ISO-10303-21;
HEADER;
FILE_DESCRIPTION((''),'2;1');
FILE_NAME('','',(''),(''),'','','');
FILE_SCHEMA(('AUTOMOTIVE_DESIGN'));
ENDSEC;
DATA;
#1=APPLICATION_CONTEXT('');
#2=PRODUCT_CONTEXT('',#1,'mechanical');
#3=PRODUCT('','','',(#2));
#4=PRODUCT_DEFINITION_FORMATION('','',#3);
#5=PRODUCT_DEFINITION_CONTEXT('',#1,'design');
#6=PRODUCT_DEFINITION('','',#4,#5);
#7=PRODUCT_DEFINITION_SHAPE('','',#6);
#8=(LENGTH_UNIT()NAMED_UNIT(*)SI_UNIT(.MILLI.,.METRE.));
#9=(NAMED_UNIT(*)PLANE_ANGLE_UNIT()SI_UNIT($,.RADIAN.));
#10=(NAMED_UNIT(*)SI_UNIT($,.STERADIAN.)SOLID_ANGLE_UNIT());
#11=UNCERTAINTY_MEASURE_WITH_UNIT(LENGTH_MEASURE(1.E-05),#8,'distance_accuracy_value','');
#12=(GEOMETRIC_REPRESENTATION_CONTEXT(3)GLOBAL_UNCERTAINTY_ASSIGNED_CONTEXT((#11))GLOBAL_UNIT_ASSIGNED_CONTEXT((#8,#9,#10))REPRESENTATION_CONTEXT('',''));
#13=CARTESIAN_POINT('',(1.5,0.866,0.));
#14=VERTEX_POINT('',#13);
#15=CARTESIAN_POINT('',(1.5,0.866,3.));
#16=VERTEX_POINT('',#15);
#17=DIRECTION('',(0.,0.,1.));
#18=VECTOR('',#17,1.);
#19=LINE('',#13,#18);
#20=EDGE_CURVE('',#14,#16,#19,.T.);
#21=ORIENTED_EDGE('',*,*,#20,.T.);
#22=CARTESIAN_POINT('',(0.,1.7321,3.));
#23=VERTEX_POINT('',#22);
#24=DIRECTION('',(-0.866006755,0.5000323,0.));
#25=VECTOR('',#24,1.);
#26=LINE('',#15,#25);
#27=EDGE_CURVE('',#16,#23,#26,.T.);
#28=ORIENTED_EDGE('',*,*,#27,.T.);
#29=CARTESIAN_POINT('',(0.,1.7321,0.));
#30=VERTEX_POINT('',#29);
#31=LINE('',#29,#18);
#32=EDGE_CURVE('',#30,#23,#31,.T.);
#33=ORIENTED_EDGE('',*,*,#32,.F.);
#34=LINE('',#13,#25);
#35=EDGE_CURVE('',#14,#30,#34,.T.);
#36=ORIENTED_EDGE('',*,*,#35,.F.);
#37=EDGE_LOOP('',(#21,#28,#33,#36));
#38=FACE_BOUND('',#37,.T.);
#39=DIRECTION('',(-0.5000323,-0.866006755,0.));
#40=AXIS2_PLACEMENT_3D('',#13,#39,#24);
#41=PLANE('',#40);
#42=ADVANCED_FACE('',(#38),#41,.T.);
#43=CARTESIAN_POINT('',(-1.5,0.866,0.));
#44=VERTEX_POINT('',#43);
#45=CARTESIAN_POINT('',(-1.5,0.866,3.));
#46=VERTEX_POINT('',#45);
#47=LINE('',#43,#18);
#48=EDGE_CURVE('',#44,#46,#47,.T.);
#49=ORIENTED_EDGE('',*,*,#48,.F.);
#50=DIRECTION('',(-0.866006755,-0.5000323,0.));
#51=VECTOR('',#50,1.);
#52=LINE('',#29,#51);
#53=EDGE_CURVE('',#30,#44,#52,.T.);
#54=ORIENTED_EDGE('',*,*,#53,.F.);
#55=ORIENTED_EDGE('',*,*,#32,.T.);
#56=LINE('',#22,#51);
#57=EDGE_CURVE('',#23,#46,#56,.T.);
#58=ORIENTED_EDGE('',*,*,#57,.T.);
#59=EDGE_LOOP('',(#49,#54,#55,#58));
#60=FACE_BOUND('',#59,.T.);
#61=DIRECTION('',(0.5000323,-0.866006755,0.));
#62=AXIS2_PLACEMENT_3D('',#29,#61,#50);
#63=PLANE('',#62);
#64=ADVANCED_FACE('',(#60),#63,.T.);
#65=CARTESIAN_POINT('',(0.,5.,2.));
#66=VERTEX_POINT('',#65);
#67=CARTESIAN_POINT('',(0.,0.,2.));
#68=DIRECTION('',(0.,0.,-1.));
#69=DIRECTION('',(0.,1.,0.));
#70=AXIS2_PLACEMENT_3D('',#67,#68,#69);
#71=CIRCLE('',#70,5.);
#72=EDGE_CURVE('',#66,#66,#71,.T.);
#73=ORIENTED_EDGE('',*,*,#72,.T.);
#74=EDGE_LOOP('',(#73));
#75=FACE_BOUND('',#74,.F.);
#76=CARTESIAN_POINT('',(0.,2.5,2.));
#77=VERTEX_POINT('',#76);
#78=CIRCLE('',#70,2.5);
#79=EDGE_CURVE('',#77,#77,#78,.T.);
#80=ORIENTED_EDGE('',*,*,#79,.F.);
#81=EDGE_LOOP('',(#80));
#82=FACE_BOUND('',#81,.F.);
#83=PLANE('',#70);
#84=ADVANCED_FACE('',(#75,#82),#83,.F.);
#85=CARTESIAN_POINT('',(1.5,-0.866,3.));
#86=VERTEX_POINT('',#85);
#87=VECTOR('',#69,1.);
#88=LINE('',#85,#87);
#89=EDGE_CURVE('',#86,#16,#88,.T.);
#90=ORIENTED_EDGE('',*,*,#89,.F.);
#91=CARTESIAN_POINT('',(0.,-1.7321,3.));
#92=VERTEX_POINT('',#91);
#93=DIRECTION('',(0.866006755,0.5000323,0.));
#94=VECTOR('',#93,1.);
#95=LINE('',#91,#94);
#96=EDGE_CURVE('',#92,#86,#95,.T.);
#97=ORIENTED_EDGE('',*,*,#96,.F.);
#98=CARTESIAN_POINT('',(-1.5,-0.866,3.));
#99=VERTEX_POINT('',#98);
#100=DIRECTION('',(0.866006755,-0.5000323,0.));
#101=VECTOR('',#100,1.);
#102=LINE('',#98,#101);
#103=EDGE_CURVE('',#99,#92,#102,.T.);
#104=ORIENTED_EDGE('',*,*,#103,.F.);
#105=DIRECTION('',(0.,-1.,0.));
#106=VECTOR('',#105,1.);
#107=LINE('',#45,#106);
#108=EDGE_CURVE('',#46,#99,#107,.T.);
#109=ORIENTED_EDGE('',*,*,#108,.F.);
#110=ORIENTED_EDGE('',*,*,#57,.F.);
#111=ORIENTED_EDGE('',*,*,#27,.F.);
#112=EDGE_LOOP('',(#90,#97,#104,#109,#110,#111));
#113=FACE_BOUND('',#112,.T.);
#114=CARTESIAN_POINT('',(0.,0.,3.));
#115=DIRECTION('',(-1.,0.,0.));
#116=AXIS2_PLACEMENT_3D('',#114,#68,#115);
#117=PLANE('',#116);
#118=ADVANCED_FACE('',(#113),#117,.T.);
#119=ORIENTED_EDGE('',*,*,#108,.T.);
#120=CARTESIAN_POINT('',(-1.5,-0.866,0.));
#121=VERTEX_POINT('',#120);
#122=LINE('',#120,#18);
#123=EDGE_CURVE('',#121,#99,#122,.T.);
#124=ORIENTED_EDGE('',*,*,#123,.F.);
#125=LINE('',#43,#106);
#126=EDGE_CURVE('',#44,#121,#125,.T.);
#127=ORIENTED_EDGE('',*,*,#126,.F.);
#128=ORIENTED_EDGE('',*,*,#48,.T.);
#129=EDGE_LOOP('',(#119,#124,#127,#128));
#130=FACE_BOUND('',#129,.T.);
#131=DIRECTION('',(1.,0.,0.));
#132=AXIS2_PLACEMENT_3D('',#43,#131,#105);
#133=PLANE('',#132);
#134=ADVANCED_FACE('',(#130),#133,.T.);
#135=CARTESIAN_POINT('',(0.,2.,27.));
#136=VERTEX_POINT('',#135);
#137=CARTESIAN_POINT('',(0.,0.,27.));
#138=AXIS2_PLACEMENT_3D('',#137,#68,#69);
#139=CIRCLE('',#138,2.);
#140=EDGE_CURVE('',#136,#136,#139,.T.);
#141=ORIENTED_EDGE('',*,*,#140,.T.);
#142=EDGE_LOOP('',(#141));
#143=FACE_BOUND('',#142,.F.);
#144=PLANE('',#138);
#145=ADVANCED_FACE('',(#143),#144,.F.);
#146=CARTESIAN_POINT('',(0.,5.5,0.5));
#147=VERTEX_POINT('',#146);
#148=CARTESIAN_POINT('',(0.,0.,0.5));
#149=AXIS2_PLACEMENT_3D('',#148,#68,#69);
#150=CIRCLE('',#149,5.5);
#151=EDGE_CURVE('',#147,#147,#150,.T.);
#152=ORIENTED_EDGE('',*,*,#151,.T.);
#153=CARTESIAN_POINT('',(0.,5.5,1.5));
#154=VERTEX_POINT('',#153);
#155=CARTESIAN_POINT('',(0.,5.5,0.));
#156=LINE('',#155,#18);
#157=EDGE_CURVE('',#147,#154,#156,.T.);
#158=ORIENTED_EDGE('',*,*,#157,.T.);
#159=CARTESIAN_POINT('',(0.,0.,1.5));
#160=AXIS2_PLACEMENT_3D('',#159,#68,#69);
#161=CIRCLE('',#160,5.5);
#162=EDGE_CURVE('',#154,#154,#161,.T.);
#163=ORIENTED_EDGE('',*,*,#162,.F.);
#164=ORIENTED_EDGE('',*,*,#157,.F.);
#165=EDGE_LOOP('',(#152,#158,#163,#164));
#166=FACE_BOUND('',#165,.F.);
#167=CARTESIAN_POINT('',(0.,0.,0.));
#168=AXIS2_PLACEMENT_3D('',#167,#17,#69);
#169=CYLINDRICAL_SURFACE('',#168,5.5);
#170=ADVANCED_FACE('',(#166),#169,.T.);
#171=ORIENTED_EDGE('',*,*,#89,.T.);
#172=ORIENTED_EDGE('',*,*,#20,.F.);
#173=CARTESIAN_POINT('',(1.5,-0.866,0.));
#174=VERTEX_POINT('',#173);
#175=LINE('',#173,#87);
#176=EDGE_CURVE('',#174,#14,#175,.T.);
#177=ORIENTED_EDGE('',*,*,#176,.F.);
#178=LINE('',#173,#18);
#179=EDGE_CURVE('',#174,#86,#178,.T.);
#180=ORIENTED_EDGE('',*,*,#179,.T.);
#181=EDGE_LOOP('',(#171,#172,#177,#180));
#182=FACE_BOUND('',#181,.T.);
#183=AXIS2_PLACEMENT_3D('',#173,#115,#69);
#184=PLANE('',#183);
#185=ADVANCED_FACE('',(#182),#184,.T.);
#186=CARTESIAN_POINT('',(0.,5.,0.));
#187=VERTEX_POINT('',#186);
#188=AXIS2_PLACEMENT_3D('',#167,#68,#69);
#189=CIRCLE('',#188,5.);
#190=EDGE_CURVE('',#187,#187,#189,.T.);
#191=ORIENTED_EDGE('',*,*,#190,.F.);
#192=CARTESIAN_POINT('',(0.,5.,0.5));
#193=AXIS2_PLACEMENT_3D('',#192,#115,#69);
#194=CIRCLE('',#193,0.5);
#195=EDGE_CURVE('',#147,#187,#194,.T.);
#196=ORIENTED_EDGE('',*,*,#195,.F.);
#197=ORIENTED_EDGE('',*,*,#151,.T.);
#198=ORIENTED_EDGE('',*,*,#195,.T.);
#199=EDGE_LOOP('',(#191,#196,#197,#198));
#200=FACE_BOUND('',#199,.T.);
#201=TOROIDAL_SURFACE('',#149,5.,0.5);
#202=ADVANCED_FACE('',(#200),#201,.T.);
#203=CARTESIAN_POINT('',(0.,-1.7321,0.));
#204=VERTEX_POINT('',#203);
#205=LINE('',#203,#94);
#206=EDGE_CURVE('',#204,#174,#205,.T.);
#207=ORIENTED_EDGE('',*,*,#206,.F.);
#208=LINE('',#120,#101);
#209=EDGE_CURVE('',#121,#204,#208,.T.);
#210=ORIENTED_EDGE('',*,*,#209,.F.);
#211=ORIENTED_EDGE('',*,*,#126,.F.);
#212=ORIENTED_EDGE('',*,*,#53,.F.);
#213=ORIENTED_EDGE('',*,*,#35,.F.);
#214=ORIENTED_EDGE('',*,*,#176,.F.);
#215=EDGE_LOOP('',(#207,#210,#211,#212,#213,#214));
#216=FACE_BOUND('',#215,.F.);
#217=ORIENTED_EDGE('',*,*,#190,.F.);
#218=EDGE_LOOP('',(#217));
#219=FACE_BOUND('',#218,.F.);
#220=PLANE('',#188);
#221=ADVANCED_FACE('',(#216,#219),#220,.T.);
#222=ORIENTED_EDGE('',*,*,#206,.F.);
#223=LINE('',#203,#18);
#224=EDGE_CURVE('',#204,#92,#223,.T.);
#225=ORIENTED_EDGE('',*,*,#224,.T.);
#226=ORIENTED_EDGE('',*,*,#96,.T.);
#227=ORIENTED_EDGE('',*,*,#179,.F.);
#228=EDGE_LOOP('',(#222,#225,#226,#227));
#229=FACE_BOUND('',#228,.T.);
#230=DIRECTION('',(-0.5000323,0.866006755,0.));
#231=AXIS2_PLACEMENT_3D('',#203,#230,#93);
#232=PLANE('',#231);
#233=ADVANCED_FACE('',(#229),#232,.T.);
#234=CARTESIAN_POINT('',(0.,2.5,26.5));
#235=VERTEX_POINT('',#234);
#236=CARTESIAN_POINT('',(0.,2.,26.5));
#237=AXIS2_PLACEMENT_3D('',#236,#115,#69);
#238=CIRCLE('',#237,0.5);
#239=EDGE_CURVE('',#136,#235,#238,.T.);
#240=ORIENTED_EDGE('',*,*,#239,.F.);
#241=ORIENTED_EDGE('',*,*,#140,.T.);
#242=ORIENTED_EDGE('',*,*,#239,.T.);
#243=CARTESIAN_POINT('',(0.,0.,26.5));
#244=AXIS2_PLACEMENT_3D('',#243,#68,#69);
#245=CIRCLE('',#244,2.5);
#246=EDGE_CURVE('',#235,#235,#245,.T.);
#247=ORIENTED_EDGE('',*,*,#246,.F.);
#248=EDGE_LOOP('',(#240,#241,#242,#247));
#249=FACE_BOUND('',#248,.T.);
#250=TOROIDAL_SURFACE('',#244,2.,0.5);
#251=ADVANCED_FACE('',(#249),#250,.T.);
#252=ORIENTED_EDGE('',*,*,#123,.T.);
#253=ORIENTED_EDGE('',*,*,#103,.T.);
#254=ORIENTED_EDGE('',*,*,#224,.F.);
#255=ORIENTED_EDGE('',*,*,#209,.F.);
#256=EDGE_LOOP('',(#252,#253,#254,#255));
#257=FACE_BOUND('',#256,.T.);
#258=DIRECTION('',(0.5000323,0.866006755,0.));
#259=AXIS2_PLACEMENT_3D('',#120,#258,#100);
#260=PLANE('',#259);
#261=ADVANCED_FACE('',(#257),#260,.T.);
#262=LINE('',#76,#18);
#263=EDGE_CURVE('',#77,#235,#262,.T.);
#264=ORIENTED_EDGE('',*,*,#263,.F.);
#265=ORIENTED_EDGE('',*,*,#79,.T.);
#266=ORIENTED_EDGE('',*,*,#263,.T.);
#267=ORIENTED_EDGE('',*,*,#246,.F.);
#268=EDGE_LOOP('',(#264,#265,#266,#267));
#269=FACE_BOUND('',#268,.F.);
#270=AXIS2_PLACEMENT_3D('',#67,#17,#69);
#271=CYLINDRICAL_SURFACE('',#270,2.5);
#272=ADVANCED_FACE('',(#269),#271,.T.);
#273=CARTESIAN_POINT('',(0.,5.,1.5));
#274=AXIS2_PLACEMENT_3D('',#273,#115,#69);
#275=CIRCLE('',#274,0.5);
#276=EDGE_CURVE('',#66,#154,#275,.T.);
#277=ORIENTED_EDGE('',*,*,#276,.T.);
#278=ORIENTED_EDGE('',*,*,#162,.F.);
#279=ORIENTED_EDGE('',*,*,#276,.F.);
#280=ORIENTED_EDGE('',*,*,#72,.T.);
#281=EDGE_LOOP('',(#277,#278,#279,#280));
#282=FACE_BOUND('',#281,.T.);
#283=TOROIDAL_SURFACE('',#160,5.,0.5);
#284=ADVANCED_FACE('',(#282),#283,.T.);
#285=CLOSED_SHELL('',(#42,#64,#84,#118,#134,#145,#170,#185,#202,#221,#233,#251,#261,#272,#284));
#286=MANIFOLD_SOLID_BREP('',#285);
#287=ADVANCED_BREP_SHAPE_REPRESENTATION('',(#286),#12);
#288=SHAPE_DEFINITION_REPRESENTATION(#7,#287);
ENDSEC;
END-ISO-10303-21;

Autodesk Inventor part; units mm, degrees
ref_plane "YZ Plane" through (0, 0, 0) normal (1, 0, 0) x (0, 1, 0)
ref_plane "XZ Plane" through (0, 0, 0) normal (0, 1, 0) x (-1, 0, 0)
ref_plane "XY Plane" through (0, 0, 0) normal (0, 0, 1) x (1, 0, 0)
sketch "Sketch1" plane through (0, 0, 0) normal (1, 0, 0) x (0, 1, 0)
  line L0 (0, 0) -> (5.5, 0)
  line L1 (5.5, 0) -> (5.5, 2)
  line L2 (5.5, 2) -> (2.5, 2)
  line L3 (2.5, 2) -> (2.5, 27)
  line L4 (2.5, 27) -> (0, 27)
  line L5 (0, 27) -> (0, 0)
  dimension "d0" = 25
  dimension "d1" = 2
  dimension "d2" = 5.5
  dimension "d3" = 2.5
revolve "Revolution1" add sketch "Sketch1" angle 360 about axis through (0, 0, 27) along (0, 0, -1)
fillet "Fillet1" radius 0.5 3 edges at (0, -5.5, 0) (0, -5.5, 2) (0, -2.5, 27)
sketch "Sketch2" plane through (0, 0, 0) normal (0, 0, -1) x (-1, 0, 0)
  circle A0 centre (0, 0) radius 5 projected
  line L0 (1.5, -0.866) -> (0, -1.7321)
  line L1 (0, -1.7321) -> (-1.5, -0.866)
  line L2 (-1.5, -0.866) -> (-1.5, 0.866)
  line L3 (-1.5, 0.866) -> (0, 1.7321)
  line L4 (0, 1.7321) -> (1.5, 0.866)
  line L5 (1.5, 0.866) -> (1.5, -0.866)
  dimension "d6" = 3
extrude "Extrusion1" cut sketch "Sketch2" against normal blind 3 contours L0 L1 L2 L3 L4 L5
thread "Thread1" size "M5x0.8" class "6g" standard "ANSI Metric M Profile" length 30 offset 3
properties part number "M5x25 low profile screw"
